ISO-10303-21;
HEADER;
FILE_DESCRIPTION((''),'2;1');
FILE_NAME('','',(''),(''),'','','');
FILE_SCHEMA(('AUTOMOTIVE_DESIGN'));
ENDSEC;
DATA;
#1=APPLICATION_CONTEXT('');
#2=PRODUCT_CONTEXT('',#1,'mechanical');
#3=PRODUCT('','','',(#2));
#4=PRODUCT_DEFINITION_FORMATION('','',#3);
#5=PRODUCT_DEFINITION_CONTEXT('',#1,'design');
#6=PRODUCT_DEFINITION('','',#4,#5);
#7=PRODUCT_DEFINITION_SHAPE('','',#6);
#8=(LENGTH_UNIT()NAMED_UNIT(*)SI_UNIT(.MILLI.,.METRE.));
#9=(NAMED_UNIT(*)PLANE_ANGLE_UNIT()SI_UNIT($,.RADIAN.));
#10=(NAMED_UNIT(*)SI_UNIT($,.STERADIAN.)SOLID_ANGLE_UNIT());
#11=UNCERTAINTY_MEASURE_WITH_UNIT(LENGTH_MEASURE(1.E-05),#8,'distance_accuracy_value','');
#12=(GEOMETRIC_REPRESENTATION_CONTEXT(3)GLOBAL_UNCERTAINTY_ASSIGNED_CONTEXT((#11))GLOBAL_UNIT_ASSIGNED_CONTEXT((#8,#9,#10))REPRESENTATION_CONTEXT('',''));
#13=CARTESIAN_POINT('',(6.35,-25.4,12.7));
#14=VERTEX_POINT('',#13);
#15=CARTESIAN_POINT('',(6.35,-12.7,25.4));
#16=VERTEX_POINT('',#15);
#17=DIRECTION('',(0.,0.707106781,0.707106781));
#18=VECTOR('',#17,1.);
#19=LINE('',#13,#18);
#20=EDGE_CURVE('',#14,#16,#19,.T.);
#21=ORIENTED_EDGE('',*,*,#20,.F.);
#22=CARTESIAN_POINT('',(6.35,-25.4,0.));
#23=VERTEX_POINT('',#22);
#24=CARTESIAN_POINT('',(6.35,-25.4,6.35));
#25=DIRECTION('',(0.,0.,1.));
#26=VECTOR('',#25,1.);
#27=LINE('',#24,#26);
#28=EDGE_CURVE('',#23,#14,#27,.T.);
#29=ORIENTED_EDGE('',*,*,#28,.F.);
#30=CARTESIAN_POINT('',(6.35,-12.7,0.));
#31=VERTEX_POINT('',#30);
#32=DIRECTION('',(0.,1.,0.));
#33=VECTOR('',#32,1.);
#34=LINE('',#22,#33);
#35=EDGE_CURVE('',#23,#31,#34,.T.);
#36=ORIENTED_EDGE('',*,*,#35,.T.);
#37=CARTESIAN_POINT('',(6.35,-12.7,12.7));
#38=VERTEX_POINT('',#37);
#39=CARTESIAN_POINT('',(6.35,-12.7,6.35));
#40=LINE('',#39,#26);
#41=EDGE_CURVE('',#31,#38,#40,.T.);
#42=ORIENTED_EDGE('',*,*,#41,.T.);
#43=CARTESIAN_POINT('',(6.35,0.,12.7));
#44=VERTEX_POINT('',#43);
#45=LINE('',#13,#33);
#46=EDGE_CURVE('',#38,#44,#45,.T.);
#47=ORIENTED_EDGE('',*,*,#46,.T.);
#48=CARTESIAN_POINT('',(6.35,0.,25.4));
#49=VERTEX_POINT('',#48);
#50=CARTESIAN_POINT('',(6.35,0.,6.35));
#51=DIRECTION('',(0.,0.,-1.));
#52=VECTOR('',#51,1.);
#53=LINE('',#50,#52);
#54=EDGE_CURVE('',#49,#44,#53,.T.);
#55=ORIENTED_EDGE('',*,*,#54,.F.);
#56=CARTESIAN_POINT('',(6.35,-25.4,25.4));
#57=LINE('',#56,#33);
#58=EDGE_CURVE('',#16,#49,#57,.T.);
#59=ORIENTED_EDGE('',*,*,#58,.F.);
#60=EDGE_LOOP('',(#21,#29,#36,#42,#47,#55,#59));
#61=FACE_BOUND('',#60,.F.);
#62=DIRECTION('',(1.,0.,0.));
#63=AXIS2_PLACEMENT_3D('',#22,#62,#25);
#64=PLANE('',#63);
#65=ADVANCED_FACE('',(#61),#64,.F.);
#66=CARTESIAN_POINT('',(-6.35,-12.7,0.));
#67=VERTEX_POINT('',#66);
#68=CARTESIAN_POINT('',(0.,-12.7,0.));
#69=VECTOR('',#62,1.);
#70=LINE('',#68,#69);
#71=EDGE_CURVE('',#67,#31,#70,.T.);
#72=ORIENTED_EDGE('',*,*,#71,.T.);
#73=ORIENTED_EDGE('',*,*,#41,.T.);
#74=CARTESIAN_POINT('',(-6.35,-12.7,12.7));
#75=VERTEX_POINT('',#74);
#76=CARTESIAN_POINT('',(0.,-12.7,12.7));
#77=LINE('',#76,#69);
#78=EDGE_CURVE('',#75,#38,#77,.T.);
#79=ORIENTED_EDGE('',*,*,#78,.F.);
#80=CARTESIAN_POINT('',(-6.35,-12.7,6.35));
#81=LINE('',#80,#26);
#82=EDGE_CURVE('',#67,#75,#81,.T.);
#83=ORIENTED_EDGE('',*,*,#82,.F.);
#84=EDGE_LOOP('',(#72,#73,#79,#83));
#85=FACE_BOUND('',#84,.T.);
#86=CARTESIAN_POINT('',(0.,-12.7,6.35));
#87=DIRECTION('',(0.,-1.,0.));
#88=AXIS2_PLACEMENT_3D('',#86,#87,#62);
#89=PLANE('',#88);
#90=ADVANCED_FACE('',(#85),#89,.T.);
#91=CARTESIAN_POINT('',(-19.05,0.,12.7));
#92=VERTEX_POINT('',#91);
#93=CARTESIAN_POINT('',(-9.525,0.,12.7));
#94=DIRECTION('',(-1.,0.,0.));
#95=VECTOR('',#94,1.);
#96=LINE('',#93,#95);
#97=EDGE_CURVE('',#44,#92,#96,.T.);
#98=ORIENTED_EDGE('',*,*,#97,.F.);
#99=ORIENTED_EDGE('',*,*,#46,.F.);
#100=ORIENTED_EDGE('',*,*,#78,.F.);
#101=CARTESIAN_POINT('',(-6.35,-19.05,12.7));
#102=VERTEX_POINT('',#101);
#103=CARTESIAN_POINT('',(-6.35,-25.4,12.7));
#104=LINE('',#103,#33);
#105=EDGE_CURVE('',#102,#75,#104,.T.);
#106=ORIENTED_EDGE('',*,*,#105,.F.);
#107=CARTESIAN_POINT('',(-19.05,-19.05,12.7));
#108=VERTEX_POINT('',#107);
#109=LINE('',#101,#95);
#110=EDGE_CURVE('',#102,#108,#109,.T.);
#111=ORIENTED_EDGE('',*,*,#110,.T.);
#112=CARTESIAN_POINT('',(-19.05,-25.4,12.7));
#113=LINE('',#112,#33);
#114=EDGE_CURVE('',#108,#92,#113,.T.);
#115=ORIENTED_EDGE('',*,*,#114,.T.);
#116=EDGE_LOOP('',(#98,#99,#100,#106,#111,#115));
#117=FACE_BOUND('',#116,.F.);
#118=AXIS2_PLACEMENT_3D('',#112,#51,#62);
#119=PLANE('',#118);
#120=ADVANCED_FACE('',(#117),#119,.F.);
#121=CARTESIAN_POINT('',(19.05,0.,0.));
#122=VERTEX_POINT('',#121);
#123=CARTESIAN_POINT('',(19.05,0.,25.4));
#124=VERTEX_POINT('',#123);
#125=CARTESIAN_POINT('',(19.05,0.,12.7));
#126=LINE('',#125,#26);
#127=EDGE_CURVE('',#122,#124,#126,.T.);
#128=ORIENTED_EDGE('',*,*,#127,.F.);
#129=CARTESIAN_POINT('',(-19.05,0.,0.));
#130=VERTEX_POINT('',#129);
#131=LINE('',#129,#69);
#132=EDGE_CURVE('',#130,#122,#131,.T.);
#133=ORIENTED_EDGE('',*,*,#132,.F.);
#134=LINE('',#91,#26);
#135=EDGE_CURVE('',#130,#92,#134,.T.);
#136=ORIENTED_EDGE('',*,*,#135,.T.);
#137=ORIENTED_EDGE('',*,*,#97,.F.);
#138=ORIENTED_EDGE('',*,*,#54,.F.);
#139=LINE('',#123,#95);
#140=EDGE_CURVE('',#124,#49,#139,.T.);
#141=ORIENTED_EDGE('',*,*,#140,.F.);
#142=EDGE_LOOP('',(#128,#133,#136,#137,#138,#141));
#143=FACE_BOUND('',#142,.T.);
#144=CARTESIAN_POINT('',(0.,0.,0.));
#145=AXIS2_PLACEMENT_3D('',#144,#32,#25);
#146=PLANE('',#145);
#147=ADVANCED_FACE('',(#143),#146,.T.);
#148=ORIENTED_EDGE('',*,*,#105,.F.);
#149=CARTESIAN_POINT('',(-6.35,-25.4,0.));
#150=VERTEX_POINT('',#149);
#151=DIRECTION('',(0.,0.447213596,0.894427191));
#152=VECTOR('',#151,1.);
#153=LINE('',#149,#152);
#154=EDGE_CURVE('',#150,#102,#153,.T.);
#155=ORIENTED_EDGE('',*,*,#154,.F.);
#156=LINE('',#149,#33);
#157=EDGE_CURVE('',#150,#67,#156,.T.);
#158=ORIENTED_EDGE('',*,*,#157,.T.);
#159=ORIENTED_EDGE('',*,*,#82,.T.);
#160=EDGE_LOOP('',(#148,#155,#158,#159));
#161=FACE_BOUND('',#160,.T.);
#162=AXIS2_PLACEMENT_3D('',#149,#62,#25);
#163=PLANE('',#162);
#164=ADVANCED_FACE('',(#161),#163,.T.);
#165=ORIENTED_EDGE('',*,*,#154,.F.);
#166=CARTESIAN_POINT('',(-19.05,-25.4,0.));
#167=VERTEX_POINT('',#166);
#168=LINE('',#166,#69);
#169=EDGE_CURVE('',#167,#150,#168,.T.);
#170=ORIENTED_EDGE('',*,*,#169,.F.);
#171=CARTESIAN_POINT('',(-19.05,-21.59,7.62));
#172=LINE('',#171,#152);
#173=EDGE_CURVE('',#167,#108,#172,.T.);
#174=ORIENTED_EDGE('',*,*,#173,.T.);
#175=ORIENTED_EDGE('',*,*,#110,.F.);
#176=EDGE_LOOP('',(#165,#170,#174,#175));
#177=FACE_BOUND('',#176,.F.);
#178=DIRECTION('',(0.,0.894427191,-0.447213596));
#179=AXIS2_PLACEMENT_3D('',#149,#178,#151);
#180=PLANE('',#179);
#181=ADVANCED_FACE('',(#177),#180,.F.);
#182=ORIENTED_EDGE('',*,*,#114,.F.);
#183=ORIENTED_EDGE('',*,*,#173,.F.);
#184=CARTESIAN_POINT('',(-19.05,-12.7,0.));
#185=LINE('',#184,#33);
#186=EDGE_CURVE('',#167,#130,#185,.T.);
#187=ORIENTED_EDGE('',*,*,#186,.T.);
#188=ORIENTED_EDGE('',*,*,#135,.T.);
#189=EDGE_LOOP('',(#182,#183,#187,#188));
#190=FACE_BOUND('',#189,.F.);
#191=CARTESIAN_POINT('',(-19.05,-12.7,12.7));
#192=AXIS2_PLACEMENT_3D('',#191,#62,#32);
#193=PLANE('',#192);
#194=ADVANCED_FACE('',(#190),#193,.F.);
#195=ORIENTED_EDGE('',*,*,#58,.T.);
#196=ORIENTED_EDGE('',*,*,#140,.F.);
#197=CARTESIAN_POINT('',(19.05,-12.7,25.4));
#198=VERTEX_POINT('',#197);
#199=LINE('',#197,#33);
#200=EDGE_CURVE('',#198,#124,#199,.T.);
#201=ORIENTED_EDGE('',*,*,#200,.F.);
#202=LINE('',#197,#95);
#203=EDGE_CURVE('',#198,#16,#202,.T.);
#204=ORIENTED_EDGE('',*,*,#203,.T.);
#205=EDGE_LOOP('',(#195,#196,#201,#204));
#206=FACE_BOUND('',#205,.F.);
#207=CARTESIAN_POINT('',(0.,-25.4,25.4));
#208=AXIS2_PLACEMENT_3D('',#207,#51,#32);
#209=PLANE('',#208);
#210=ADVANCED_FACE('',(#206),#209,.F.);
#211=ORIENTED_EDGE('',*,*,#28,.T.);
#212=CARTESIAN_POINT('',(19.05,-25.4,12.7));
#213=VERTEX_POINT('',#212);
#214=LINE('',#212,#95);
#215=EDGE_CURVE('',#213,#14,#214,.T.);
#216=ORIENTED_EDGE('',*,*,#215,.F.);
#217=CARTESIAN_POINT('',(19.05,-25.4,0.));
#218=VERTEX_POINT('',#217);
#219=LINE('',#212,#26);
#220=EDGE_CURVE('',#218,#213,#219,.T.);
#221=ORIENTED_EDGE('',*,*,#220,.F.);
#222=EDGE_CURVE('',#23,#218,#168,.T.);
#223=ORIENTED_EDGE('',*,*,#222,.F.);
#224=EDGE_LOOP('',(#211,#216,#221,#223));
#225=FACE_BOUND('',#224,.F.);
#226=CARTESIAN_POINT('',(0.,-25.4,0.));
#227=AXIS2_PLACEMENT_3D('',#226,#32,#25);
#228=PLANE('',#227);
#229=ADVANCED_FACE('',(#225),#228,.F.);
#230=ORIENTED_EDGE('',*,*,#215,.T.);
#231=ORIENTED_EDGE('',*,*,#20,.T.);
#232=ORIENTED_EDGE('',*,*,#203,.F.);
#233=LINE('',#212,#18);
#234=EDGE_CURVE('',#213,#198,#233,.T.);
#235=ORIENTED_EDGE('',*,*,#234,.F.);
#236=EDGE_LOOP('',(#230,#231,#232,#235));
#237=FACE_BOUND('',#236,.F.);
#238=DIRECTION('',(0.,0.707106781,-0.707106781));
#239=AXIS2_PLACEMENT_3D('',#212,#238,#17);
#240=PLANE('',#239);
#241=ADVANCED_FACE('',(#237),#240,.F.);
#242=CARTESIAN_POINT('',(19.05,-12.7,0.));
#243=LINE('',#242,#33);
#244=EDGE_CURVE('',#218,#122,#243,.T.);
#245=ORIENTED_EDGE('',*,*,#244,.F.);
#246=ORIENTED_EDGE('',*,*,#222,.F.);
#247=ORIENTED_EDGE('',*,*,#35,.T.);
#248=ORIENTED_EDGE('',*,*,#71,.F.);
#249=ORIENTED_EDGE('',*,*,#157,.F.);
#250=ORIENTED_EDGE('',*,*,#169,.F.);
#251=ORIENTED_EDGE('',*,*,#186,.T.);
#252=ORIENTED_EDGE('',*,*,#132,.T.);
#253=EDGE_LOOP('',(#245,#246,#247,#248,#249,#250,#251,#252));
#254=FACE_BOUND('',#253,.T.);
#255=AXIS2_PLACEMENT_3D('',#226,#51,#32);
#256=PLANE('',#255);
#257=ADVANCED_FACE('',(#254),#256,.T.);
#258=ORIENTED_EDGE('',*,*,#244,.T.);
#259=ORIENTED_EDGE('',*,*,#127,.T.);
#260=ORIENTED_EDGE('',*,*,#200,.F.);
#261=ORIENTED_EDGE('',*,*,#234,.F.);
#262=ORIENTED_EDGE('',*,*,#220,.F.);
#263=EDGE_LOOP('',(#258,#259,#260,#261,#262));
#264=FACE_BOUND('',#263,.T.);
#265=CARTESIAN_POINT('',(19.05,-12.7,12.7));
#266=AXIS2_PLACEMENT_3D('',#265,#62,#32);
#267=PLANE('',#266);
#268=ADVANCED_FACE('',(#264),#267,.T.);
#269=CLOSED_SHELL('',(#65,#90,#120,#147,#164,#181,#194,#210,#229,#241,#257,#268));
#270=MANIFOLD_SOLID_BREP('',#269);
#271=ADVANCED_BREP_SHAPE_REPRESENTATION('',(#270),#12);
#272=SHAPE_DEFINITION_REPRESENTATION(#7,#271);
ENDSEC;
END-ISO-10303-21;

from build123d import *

# Parameters (mm, degrees)
F0_W     = 25.4
F0_H     = 25.4
F1_DEPTH = 19.05
F3_DEPTH = 12.7
F4_W     = 25.4
F4_H     = 12.7
F5_DEPTH = 25.401
F6_W     = 12.7
F6_H     = 12.7
F7_DEPTH = 12.7
F9_DEPTH = 12.701


with BuildPart() as f1:
    # F0 (on Right) → F1 (new body, symmetric)
    with BuildSketch(Plane.YZ):
        with Locations((-12.7, 12.7)):
            Rectangle(F0_W, F0_H)
    extrude(amount=F1_DEPTH, both=True)

    # F2 (on face) → F3 (cut)
    with BuildSketch(Plane.YZ.offset(19.05)):
        Polygon((-25.4, 25.4), (-25.4, 12.7), (-12.7, 25.4), align=None)
    extrude(amount=-F3_DEPTH, mode=Mode.SUBTRACT)

    # F4 (on face) → F5 (cut, through all)
    with BuildSketch(Plane.XZ.offset(25.4)):
        with Locations((-6.35, 19.05)):
            Rectangle(F4_W, F4_H)
    extrude(amount=-F5_DEPTH, mode=Mode.SUBTRACT)

    # F6 (on face) → F7 (cut)
    with BuildSketch(Plane.XZ.offset(25.4)):
        with Locations((0, 6.35)):
            Rectangle(F6_W, F6_H)
    extrude(amount=-F7_DEPTH, mode=Mode.SUBTRACT)

    # F8 (on face) → F9 (cut, through all)
    with BuildSketch(Plane.YZ.offset(-6.35)):
        Polygon((-25.4, 0), (-19.05, 12.7), (-25.4, 12.7), align=None)
    extrude(amount=-F9_DEPTH, mode=Mode.SUBTRACT)


solid = f1.part
